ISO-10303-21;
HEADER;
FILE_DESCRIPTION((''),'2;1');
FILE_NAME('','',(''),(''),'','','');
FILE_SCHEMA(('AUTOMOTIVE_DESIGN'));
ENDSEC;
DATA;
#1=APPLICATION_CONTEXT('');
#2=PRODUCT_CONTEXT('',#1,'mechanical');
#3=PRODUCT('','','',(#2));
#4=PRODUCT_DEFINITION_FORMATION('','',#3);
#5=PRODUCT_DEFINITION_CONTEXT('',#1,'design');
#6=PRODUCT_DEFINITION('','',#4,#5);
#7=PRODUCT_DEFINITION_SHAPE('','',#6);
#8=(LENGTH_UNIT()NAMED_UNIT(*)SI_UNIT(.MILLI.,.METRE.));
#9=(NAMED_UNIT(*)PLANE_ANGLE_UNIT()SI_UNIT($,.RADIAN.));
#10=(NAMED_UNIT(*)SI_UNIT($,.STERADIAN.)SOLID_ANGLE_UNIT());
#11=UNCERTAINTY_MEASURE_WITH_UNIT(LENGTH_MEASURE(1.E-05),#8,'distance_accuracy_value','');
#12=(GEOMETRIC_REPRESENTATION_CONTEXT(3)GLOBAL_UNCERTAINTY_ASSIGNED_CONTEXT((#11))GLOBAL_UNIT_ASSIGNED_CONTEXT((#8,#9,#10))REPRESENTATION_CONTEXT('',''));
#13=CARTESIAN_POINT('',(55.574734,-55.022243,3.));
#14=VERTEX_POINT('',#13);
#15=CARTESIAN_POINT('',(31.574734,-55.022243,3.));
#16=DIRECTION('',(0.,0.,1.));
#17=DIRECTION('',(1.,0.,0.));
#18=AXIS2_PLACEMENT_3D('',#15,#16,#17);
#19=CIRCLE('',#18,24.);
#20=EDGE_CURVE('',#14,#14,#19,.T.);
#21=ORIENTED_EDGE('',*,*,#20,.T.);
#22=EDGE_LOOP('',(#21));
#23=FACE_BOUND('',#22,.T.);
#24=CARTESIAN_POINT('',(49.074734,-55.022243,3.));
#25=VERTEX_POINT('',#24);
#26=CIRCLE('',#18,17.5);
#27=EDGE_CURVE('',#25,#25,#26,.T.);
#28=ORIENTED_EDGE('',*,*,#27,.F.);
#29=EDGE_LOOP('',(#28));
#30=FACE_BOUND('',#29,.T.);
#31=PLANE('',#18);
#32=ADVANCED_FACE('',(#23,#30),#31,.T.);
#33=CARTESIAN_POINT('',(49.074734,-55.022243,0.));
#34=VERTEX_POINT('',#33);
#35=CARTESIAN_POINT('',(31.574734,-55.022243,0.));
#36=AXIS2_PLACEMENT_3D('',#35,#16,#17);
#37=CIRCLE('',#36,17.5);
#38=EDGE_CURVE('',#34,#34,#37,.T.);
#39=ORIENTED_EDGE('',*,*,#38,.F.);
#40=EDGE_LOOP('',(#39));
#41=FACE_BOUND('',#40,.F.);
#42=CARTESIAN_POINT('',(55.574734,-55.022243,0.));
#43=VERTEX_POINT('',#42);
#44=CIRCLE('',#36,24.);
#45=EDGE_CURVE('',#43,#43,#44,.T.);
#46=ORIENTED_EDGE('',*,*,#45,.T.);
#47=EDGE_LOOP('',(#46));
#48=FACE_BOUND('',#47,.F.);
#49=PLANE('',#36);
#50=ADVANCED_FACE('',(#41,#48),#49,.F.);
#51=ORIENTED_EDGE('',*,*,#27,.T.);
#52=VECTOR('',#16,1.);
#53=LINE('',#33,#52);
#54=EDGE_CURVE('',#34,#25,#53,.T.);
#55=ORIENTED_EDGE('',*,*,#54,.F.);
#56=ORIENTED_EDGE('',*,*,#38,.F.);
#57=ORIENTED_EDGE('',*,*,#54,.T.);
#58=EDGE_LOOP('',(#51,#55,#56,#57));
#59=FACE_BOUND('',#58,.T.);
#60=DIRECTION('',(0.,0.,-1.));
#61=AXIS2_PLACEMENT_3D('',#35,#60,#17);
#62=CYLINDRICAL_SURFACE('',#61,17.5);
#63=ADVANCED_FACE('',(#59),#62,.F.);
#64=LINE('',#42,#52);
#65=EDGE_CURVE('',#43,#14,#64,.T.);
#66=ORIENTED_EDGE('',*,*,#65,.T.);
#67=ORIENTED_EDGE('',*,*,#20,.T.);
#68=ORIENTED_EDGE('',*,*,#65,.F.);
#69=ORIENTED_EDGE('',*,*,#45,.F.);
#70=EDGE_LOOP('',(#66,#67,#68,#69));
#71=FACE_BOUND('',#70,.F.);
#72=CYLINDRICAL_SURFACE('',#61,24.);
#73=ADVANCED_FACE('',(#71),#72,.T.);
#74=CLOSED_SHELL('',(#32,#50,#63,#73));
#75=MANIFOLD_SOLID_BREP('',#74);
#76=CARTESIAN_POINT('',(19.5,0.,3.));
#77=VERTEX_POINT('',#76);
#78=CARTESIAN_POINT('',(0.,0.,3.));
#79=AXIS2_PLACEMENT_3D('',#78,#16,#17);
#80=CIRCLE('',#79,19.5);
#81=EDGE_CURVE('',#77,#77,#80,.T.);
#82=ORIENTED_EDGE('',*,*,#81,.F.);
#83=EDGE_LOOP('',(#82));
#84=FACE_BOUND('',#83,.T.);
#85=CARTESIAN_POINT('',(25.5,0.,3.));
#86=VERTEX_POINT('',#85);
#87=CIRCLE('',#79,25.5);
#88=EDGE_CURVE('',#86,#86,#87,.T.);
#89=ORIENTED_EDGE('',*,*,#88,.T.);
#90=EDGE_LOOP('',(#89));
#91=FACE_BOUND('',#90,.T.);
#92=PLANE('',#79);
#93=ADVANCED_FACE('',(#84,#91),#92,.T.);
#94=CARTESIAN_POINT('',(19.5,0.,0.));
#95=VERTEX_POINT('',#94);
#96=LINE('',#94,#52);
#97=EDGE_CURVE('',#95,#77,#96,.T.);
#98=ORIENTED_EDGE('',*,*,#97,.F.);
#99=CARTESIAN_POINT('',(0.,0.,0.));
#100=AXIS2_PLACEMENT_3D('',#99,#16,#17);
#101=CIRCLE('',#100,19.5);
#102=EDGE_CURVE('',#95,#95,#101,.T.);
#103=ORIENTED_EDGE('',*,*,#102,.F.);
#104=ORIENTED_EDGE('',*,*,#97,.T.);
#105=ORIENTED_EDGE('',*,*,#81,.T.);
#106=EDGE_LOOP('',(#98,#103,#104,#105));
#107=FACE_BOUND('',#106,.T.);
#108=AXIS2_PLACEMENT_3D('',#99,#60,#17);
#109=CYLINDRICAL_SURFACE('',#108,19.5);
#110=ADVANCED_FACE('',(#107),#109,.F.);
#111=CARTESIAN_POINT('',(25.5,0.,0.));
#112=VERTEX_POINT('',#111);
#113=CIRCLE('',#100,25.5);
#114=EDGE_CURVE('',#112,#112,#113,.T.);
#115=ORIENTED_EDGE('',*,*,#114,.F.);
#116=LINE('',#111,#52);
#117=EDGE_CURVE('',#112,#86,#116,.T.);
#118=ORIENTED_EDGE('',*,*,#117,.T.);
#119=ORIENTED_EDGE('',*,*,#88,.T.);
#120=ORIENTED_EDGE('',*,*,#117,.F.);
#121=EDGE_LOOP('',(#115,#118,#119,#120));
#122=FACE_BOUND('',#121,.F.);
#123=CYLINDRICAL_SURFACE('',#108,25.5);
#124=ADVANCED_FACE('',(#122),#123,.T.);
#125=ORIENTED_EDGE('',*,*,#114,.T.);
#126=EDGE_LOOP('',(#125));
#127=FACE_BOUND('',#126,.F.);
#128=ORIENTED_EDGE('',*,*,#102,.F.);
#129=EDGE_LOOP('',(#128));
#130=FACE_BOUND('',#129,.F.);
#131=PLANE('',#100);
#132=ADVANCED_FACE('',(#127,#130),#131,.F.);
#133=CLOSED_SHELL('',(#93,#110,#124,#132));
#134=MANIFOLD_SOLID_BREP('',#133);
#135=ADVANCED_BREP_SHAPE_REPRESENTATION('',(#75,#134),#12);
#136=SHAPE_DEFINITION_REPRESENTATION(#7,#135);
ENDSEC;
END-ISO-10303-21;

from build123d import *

# Parameters (mm, degrees)
F0_R     = 25.5
F0_R_2   = 19.5
F0_R_3   = 24
F0_R_4   = 17.5
F1_DEPTH = 3


with BuildPart() as f1:
    # F0 (on Top) → F1 (new body)
    with BuildSketch(Plane.XY):
        Circle(F0_R)
        Circle(F0_R_2, mode=Mode.SUBTRACT)
        with Locations((31.574734, -55.022243)):
            Circle(F0_R_3)
        with Locations((31.574734, -55.022243)):
            Circle(F0_R_4, mode=Mode.SUBTRACT)
    extrude(amount=F1_DEPTH)


solid = f1.part
